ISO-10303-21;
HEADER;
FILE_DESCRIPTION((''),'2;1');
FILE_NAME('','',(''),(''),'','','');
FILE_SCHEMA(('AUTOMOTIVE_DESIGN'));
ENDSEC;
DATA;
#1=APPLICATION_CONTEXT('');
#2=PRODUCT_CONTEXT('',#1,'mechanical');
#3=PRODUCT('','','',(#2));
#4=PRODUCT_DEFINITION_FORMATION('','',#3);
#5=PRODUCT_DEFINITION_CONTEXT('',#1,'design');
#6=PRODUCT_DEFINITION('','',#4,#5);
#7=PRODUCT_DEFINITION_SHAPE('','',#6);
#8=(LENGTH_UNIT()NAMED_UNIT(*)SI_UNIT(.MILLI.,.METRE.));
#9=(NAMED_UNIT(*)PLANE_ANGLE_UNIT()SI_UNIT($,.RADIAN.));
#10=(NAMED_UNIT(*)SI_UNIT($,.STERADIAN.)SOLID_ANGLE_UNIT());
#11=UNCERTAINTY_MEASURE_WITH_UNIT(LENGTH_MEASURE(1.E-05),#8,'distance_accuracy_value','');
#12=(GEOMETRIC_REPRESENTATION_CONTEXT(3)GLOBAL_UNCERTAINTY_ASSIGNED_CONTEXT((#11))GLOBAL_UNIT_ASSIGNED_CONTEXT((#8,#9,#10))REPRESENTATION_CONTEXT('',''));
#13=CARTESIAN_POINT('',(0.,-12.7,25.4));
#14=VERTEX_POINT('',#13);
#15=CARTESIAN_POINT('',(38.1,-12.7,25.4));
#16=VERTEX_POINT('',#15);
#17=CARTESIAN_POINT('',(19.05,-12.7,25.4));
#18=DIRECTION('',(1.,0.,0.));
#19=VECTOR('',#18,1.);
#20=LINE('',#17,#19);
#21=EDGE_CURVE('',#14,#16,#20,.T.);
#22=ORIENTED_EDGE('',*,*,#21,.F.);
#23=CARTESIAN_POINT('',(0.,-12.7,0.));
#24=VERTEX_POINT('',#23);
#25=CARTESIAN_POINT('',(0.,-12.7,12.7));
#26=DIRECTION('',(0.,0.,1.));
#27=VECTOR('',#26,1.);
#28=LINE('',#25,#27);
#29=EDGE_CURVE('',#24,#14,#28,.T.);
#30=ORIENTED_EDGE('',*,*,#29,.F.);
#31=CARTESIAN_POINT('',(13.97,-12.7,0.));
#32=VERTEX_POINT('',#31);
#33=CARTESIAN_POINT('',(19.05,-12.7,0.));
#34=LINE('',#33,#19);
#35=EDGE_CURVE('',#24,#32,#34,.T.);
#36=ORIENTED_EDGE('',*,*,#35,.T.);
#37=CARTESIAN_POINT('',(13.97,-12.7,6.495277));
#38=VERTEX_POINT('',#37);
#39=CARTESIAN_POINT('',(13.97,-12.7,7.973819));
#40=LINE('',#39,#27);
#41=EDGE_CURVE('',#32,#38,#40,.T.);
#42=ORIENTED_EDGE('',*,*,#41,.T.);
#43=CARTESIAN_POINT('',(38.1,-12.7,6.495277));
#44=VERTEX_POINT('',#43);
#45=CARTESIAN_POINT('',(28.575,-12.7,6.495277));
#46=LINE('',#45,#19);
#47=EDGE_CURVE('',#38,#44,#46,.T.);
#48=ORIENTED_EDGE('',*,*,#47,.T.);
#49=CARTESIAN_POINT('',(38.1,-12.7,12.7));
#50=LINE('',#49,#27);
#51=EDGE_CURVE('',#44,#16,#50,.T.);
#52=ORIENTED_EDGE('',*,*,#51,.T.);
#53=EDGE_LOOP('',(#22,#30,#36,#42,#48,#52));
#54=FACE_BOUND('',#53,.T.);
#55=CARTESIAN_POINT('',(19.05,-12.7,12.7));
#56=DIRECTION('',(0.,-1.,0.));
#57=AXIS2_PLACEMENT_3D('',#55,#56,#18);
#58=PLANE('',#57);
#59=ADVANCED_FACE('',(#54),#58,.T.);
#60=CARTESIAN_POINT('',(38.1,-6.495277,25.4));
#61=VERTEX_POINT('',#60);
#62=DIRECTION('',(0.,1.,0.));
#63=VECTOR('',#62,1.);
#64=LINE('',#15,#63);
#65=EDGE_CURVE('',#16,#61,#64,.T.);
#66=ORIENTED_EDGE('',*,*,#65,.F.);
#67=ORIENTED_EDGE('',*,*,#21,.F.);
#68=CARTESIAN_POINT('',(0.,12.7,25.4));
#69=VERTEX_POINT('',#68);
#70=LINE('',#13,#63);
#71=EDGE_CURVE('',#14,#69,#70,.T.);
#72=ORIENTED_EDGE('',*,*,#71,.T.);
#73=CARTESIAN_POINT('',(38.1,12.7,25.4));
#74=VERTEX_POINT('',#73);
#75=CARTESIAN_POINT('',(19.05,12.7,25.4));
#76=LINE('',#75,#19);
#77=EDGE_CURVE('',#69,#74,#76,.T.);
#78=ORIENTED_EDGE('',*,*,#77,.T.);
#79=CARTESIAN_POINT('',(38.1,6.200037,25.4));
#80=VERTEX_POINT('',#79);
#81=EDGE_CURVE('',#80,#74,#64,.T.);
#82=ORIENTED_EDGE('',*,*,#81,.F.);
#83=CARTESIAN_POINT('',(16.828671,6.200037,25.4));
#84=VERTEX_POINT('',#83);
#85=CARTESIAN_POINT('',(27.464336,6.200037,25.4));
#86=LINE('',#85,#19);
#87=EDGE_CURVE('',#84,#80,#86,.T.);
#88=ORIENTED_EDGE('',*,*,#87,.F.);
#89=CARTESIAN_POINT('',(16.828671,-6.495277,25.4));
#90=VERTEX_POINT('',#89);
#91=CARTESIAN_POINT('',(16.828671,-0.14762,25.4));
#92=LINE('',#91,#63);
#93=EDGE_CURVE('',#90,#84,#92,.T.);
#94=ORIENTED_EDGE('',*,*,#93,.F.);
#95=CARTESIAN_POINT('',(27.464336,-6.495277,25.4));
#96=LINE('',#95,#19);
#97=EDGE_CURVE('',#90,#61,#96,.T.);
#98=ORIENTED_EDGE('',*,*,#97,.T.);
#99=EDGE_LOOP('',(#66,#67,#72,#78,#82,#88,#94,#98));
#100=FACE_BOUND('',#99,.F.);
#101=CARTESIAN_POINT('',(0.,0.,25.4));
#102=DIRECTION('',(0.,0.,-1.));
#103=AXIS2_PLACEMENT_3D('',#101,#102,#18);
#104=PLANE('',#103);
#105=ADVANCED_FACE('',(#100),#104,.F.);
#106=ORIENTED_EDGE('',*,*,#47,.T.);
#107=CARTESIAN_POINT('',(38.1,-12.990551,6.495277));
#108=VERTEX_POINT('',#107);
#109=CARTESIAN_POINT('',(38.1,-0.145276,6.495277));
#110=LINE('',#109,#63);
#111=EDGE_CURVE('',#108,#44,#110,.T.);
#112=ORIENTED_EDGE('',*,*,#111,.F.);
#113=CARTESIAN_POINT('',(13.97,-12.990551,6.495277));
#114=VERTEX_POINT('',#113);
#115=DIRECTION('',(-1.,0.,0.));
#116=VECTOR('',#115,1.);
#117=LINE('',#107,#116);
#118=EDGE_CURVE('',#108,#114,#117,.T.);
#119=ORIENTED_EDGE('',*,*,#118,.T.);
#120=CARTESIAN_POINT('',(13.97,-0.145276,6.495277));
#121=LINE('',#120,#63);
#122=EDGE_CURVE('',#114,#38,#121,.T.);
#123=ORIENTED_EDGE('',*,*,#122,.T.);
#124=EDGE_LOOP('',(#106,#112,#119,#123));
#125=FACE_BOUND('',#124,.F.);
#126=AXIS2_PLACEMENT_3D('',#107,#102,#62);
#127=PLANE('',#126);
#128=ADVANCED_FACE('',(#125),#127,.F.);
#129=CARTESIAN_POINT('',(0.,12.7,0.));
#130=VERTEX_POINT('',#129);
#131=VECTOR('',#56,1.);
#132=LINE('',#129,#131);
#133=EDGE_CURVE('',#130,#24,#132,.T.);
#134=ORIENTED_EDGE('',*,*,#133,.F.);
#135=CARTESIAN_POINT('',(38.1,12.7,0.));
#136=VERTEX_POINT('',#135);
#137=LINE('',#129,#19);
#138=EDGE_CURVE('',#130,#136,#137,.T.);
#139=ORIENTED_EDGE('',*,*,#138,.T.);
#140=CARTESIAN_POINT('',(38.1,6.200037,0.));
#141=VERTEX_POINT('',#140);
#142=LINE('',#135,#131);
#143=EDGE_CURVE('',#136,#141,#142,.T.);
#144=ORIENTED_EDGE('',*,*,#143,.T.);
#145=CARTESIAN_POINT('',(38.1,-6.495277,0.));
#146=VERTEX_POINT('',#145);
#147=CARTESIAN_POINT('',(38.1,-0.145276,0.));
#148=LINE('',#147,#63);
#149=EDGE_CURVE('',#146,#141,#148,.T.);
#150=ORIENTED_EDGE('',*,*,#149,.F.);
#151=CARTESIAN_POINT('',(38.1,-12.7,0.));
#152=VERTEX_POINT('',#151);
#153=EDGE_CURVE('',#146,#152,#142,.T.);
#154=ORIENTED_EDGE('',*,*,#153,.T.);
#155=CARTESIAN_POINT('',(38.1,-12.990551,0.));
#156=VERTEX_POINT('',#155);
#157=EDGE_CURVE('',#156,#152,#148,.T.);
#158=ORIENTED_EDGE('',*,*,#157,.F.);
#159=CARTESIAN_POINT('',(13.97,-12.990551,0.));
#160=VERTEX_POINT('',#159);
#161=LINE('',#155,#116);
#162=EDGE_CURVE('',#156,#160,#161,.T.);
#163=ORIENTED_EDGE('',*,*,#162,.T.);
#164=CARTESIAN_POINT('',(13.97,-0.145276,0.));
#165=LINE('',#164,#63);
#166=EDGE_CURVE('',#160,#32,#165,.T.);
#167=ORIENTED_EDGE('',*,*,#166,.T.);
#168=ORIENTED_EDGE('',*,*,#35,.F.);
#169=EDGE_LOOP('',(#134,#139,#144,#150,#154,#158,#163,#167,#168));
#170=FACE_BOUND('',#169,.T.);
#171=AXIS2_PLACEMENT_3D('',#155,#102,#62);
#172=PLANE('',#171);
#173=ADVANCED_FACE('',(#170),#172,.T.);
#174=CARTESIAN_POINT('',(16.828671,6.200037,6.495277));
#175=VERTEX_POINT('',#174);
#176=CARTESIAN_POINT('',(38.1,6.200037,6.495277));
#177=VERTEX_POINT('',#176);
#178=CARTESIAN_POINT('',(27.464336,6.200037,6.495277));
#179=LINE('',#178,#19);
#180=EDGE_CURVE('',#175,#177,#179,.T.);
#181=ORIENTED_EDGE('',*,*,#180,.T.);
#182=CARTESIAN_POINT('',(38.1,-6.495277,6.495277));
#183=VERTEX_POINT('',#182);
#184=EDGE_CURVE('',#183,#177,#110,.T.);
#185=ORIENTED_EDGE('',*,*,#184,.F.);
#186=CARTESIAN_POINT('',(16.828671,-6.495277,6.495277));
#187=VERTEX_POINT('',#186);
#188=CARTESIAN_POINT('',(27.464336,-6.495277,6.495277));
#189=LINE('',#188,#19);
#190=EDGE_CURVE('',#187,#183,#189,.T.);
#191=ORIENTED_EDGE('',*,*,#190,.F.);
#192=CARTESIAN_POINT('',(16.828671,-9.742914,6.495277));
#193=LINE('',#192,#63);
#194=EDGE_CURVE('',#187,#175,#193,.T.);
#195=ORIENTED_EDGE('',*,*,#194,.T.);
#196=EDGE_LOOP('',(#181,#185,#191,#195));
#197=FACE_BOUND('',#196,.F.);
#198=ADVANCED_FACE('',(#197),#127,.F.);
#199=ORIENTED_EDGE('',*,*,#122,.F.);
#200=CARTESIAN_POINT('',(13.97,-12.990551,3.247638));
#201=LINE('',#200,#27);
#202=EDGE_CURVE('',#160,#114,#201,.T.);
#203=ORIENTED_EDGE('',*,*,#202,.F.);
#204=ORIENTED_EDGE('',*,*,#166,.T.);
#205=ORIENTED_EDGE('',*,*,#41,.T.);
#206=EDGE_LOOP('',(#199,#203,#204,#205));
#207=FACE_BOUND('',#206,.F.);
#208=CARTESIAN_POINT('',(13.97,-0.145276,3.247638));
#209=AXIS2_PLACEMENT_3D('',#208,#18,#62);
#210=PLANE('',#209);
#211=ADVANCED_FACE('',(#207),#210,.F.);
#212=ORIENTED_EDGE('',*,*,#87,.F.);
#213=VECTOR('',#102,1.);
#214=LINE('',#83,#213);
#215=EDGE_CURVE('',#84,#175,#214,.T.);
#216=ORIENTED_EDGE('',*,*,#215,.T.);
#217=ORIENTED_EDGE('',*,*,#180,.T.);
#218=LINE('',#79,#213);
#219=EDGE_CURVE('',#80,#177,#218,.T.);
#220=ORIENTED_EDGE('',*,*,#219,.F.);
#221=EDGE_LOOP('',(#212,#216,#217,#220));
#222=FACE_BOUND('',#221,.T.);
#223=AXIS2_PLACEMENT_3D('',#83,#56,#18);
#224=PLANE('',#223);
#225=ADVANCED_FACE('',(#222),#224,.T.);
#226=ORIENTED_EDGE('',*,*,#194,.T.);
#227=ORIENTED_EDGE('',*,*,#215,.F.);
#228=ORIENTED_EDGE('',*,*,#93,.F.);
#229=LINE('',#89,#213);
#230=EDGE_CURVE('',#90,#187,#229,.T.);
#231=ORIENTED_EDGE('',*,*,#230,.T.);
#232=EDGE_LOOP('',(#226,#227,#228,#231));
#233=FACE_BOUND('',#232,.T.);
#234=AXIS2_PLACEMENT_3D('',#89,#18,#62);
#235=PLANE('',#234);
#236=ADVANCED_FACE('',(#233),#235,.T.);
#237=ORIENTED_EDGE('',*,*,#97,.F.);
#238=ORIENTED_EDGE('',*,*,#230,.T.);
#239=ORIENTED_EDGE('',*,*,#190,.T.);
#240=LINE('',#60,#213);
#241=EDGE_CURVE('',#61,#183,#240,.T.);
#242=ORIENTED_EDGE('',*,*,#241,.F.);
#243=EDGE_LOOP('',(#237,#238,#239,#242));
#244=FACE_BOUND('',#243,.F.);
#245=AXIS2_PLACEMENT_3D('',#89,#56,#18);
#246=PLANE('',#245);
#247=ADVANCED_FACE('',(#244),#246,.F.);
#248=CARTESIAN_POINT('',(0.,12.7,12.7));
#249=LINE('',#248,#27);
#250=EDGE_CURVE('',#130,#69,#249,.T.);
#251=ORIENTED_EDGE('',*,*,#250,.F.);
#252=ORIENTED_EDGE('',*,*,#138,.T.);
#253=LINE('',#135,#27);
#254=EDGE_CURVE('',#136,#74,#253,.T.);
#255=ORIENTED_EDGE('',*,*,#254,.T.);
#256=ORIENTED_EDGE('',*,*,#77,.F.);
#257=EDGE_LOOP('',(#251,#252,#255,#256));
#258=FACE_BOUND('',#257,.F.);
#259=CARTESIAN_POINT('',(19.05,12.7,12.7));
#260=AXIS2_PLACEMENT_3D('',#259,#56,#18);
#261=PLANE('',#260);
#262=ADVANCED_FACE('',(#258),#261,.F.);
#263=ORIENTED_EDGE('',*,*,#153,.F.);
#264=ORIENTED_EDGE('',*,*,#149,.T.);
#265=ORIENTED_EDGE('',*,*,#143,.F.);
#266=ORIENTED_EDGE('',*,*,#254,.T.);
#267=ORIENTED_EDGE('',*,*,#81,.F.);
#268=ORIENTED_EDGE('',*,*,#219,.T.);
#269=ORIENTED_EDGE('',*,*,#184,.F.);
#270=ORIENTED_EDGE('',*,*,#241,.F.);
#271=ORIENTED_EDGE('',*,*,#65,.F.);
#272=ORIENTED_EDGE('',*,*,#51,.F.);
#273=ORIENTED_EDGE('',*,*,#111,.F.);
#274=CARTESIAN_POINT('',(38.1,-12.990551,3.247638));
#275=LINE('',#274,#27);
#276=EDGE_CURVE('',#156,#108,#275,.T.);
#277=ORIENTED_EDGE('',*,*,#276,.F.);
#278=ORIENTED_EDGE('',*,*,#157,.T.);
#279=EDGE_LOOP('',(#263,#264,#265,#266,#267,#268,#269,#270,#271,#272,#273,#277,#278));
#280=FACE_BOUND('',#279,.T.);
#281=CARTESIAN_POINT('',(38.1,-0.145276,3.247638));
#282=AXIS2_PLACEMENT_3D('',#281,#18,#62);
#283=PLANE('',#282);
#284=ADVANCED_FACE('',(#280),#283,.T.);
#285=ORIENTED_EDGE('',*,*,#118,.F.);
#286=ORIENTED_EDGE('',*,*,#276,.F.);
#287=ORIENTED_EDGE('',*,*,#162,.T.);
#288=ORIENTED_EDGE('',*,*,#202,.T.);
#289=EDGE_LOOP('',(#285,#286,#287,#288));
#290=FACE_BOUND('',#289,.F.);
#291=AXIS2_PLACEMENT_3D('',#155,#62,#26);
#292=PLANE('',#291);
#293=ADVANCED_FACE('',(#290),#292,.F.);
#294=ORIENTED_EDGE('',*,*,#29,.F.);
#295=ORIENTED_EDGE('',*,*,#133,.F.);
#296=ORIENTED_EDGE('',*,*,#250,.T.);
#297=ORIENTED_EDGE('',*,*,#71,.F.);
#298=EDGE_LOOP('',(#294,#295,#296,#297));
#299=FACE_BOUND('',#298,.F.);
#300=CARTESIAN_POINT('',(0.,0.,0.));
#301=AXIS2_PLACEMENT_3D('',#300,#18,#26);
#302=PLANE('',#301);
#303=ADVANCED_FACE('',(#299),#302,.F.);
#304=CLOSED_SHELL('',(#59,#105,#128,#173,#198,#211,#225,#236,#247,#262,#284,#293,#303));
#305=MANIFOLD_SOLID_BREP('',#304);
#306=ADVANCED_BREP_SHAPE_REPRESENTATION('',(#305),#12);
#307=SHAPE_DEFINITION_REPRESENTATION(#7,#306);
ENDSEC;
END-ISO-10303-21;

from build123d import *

# Parameters (mm, degrees)
F0_W     = 38.1
F0_H     = 25.4
F1_DEPTH = 12.7
F2_W     = 21.2713289022
F2_H     = 12.695313897
F3_DEPTH = 25.4
F4_W     = 25.6905510694
F4_H     = 6.4952769317
F5_DEPTH = 24.13


with BuildPart() as f1:
    # F0 (on Front) → F1 (new body, symmetric)
    with BuildSketch(Plane.XZ):
        with Locations((19.05, 12.7)):
            Rectangle(F0_W, F0_H)
    extrude(amount=F1_DEPTH, both=True)

    # F2 (on face) → F3 (cut)
    with BuildSketch(Plane.XY.offset(25.4)):
        with Locations((27.4643355489, -0.1476199832)):
            Rectangle(F2_W, F2_H)
    extrude(amount=-F3_DEPTH, mode=Mode.SUBTRACT)

    # F4 (on face) → F5 (join)
    with BuildSketch(Plane.YZ.offset(38.1)):
        with Locations((-0.1452755347, 3.2476384658)):
            Rectangle(F4_W, F4_H)
    extrude(amount=-F5_DEPTH)


solid = f1.part
